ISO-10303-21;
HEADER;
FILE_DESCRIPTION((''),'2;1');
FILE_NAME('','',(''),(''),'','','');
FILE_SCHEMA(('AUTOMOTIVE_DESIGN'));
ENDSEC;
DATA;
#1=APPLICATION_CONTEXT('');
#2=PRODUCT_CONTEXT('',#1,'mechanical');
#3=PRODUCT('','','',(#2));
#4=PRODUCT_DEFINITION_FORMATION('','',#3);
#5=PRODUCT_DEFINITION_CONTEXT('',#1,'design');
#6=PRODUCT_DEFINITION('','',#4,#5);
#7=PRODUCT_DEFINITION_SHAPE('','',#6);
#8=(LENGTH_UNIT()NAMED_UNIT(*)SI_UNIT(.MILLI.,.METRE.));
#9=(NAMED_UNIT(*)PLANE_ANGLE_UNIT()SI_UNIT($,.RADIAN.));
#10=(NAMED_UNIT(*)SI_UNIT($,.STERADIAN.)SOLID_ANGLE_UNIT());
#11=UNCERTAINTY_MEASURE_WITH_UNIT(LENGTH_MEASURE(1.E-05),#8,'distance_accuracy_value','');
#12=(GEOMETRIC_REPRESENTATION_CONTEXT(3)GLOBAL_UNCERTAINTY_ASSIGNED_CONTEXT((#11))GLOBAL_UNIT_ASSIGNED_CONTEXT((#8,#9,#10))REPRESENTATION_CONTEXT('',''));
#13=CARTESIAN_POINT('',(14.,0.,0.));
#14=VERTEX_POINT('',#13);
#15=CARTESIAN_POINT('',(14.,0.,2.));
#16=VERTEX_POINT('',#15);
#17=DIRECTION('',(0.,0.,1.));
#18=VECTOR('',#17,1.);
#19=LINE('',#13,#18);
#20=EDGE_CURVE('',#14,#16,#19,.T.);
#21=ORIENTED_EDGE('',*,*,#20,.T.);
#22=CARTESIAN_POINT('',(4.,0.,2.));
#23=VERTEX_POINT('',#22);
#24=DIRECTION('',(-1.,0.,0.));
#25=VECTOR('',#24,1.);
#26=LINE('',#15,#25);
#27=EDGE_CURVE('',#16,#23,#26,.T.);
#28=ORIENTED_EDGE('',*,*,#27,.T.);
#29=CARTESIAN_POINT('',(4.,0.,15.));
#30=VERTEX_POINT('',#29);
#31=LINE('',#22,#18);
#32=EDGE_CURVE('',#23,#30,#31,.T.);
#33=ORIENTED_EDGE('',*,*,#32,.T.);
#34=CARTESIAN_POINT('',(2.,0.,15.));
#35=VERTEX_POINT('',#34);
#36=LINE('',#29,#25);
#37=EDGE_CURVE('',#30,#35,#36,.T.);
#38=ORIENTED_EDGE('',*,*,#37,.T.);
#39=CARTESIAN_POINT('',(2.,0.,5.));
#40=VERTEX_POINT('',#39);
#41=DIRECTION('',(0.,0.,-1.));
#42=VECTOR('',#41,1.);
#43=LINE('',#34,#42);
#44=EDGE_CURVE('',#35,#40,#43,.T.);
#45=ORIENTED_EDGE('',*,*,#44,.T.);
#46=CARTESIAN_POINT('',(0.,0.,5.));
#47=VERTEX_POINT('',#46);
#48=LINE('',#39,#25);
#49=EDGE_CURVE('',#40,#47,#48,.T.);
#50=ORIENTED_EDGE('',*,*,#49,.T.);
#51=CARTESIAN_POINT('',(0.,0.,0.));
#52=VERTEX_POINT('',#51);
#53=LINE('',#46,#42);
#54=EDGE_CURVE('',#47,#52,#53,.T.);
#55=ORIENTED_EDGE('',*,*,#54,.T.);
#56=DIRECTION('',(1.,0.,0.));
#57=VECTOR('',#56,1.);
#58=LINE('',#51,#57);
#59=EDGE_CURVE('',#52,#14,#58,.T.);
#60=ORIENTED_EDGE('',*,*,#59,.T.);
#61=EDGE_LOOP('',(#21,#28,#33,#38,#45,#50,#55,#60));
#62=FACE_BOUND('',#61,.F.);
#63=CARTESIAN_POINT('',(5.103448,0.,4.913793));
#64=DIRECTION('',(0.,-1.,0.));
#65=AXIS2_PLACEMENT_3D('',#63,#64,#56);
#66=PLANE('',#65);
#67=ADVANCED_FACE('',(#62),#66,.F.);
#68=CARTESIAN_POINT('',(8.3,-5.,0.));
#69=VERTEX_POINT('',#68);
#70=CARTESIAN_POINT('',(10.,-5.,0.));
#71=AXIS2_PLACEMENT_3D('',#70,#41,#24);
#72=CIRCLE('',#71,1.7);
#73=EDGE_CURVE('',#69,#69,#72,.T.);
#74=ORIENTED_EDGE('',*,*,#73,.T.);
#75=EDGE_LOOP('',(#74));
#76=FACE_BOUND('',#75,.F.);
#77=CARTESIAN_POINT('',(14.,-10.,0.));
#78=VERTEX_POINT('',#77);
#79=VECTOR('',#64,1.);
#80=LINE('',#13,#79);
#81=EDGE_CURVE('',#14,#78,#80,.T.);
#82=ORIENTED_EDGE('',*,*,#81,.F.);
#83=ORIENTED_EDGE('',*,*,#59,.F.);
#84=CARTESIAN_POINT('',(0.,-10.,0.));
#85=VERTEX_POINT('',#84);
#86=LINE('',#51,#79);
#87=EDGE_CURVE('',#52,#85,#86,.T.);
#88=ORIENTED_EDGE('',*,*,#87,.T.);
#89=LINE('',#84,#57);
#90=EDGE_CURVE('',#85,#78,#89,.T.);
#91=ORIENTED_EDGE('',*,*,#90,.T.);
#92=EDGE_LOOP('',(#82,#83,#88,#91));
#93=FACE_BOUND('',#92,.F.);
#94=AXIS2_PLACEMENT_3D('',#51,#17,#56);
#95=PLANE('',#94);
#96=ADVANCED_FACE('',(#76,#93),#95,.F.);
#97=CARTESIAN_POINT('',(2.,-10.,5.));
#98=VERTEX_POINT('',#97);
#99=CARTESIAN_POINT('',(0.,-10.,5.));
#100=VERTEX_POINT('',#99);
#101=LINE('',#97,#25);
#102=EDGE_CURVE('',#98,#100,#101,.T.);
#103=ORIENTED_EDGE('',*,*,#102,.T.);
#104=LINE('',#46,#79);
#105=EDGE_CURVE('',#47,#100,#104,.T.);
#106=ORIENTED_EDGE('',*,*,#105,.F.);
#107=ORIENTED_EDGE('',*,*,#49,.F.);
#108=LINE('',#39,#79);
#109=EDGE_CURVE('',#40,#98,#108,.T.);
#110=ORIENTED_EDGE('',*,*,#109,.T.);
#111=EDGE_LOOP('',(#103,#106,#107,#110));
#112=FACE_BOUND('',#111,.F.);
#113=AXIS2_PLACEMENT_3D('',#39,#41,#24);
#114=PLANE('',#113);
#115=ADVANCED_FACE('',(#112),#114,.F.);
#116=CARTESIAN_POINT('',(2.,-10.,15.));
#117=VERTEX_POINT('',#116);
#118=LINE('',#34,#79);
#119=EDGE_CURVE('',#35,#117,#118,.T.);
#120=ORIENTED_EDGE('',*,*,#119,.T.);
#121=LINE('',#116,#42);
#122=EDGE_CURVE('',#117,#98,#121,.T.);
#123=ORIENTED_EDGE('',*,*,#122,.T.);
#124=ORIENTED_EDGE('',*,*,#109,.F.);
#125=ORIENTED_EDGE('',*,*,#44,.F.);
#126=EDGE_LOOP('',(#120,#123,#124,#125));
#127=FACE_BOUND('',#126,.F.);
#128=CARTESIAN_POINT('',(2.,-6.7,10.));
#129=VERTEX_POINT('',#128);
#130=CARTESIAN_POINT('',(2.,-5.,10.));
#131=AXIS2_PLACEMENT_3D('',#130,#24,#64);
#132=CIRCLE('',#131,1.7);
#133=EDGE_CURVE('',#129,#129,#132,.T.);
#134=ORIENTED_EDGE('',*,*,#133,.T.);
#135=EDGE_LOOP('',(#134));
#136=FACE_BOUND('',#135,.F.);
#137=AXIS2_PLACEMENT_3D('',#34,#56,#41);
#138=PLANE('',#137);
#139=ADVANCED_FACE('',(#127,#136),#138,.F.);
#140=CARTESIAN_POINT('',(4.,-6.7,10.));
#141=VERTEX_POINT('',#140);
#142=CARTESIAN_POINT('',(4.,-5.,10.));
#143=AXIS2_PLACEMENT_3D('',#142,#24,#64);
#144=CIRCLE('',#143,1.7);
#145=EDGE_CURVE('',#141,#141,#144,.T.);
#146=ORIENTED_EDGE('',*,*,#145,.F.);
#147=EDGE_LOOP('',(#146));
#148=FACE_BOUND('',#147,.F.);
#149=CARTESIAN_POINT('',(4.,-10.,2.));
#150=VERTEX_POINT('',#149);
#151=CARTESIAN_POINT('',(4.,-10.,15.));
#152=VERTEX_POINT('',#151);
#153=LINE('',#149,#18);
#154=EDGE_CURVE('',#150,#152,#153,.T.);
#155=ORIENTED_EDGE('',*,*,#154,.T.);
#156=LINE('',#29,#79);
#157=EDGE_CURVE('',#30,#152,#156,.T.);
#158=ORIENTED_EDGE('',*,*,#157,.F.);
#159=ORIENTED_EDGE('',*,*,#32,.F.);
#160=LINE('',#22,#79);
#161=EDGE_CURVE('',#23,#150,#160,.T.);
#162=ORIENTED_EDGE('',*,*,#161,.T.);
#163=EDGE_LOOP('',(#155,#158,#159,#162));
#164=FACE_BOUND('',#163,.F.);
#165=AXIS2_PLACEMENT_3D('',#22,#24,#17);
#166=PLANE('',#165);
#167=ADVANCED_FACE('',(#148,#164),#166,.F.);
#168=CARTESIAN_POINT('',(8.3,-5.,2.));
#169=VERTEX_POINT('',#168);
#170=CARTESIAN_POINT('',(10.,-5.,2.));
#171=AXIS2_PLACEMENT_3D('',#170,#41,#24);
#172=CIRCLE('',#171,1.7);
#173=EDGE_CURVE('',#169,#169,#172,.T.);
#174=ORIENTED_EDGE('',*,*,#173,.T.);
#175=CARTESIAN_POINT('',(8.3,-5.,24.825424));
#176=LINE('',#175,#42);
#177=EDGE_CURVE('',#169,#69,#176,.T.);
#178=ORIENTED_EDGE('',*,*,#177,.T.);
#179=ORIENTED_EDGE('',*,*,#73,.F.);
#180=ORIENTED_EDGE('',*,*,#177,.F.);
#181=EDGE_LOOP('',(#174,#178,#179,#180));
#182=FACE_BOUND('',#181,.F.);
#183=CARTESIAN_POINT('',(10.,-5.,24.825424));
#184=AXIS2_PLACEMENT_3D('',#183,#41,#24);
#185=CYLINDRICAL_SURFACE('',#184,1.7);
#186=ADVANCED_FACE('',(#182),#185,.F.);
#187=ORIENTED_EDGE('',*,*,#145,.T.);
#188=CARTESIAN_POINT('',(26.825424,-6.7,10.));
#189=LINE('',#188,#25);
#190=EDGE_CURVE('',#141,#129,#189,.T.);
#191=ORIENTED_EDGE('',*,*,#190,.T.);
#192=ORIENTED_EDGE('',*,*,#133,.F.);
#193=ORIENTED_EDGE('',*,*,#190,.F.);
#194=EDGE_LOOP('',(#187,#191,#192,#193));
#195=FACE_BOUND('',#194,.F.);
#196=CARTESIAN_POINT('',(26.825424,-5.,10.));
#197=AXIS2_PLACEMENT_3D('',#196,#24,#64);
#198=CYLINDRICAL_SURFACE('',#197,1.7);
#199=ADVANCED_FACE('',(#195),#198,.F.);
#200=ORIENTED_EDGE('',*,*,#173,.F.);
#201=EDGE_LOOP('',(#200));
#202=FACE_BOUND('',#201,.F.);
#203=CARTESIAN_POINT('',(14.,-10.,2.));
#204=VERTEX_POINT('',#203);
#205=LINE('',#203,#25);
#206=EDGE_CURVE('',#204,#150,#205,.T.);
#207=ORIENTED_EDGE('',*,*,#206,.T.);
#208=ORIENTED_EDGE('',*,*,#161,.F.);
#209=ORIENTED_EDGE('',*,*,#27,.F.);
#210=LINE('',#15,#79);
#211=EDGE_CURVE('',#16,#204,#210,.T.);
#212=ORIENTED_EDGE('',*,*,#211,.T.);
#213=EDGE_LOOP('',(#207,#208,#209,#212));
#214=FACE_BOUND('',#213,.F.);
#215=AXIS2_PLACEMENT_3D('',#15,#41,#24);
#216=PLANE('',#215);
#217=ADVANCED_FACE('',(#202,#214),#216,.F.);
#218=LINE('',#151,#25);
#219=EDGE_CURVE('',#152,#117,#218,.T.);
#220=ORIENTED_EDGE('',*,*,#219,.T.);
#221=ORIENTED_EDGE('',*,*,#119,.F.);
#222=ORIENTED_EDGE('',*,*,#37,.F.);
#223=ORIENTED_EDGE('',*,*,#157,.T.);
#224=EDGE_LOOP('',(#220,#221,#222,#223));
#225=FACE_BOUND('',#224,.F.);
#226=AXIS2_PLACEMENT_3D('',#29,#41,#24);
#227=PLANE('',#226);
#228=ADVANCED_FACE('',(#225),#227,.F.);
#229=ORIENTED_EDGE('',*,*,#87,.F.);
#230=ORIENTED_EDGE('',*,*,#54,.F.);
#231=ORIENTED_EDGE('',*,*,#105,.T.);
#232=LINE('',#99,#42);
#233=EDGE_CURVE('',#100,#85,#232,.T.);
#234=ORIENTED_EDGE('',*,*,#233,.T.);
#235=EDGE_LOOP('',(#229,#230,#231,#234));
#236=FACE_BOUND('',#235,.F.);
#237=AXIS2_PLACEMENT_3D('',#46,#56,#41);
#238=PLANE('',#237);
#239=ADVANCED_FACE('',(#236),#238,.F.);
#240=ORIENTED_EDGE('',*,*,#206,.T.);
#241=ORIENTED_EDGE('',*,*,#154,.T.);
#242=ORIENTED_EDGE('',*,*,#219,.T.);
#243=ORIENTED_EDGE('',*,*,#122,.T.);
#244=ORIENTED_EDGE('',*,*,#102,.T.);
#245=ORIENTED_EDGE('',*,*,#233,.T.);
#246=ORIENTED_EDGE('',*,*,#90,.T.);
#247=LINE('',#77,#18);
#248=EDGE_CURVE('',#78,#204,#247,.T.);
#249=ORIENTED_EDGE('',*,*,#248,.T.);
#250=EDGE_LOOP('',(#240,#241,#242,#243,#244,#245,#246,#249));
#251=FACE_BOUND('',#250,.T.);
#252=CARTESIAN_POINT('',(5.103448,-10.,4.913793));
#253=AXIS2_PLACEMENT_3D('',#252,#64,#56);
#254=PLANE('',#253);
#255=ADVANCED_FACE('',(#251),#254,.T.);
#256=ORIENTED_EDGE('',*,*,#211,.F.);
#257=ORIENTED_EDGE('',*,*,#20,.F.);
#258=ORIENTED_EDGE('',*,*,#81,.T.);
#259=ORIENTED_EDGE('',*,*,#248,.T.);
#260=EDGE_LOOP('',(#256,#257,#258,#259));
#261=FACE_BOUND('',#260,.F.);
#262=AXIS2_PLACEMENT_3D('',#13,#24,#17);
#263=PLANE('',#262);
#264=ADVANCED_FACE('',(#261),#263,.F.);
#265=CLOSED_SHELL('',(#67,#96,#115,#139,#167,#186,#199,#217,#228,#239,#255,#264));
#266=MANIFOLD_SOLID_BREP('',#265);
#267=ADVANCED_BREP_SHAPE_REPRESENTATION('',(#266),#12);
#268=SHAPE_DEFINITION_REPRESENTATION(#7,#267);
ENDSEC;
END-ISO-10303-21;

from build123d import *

# Parameters (mm, degrees)
F1_DEPTH = 10
F3_D     = 3.4
F5_D     = 3.4


with BuildPart() as f1:
    # F0 (on Front) → F1 (new body)
    with BuildSketch(Plane.XZ):
        Polygon((0, 5), (0, 0), (14, 0), (14, 2), (4, 2), (4, 15), (2, 15), (2, 5), align=None)
    extrude(amount=F1_DEPTH)

    # F3 (through all)
    with Locations(Plane.YZ.offset(4)):
        with Locations((-5, 10)):
            Hole(F3_D / 2)

    # F5 (through all)
    with Locations(Plane.XY.offset(2)):
        with Locations((10, -5)):
            Hole(F5_D / 2)


solid = f1.part
